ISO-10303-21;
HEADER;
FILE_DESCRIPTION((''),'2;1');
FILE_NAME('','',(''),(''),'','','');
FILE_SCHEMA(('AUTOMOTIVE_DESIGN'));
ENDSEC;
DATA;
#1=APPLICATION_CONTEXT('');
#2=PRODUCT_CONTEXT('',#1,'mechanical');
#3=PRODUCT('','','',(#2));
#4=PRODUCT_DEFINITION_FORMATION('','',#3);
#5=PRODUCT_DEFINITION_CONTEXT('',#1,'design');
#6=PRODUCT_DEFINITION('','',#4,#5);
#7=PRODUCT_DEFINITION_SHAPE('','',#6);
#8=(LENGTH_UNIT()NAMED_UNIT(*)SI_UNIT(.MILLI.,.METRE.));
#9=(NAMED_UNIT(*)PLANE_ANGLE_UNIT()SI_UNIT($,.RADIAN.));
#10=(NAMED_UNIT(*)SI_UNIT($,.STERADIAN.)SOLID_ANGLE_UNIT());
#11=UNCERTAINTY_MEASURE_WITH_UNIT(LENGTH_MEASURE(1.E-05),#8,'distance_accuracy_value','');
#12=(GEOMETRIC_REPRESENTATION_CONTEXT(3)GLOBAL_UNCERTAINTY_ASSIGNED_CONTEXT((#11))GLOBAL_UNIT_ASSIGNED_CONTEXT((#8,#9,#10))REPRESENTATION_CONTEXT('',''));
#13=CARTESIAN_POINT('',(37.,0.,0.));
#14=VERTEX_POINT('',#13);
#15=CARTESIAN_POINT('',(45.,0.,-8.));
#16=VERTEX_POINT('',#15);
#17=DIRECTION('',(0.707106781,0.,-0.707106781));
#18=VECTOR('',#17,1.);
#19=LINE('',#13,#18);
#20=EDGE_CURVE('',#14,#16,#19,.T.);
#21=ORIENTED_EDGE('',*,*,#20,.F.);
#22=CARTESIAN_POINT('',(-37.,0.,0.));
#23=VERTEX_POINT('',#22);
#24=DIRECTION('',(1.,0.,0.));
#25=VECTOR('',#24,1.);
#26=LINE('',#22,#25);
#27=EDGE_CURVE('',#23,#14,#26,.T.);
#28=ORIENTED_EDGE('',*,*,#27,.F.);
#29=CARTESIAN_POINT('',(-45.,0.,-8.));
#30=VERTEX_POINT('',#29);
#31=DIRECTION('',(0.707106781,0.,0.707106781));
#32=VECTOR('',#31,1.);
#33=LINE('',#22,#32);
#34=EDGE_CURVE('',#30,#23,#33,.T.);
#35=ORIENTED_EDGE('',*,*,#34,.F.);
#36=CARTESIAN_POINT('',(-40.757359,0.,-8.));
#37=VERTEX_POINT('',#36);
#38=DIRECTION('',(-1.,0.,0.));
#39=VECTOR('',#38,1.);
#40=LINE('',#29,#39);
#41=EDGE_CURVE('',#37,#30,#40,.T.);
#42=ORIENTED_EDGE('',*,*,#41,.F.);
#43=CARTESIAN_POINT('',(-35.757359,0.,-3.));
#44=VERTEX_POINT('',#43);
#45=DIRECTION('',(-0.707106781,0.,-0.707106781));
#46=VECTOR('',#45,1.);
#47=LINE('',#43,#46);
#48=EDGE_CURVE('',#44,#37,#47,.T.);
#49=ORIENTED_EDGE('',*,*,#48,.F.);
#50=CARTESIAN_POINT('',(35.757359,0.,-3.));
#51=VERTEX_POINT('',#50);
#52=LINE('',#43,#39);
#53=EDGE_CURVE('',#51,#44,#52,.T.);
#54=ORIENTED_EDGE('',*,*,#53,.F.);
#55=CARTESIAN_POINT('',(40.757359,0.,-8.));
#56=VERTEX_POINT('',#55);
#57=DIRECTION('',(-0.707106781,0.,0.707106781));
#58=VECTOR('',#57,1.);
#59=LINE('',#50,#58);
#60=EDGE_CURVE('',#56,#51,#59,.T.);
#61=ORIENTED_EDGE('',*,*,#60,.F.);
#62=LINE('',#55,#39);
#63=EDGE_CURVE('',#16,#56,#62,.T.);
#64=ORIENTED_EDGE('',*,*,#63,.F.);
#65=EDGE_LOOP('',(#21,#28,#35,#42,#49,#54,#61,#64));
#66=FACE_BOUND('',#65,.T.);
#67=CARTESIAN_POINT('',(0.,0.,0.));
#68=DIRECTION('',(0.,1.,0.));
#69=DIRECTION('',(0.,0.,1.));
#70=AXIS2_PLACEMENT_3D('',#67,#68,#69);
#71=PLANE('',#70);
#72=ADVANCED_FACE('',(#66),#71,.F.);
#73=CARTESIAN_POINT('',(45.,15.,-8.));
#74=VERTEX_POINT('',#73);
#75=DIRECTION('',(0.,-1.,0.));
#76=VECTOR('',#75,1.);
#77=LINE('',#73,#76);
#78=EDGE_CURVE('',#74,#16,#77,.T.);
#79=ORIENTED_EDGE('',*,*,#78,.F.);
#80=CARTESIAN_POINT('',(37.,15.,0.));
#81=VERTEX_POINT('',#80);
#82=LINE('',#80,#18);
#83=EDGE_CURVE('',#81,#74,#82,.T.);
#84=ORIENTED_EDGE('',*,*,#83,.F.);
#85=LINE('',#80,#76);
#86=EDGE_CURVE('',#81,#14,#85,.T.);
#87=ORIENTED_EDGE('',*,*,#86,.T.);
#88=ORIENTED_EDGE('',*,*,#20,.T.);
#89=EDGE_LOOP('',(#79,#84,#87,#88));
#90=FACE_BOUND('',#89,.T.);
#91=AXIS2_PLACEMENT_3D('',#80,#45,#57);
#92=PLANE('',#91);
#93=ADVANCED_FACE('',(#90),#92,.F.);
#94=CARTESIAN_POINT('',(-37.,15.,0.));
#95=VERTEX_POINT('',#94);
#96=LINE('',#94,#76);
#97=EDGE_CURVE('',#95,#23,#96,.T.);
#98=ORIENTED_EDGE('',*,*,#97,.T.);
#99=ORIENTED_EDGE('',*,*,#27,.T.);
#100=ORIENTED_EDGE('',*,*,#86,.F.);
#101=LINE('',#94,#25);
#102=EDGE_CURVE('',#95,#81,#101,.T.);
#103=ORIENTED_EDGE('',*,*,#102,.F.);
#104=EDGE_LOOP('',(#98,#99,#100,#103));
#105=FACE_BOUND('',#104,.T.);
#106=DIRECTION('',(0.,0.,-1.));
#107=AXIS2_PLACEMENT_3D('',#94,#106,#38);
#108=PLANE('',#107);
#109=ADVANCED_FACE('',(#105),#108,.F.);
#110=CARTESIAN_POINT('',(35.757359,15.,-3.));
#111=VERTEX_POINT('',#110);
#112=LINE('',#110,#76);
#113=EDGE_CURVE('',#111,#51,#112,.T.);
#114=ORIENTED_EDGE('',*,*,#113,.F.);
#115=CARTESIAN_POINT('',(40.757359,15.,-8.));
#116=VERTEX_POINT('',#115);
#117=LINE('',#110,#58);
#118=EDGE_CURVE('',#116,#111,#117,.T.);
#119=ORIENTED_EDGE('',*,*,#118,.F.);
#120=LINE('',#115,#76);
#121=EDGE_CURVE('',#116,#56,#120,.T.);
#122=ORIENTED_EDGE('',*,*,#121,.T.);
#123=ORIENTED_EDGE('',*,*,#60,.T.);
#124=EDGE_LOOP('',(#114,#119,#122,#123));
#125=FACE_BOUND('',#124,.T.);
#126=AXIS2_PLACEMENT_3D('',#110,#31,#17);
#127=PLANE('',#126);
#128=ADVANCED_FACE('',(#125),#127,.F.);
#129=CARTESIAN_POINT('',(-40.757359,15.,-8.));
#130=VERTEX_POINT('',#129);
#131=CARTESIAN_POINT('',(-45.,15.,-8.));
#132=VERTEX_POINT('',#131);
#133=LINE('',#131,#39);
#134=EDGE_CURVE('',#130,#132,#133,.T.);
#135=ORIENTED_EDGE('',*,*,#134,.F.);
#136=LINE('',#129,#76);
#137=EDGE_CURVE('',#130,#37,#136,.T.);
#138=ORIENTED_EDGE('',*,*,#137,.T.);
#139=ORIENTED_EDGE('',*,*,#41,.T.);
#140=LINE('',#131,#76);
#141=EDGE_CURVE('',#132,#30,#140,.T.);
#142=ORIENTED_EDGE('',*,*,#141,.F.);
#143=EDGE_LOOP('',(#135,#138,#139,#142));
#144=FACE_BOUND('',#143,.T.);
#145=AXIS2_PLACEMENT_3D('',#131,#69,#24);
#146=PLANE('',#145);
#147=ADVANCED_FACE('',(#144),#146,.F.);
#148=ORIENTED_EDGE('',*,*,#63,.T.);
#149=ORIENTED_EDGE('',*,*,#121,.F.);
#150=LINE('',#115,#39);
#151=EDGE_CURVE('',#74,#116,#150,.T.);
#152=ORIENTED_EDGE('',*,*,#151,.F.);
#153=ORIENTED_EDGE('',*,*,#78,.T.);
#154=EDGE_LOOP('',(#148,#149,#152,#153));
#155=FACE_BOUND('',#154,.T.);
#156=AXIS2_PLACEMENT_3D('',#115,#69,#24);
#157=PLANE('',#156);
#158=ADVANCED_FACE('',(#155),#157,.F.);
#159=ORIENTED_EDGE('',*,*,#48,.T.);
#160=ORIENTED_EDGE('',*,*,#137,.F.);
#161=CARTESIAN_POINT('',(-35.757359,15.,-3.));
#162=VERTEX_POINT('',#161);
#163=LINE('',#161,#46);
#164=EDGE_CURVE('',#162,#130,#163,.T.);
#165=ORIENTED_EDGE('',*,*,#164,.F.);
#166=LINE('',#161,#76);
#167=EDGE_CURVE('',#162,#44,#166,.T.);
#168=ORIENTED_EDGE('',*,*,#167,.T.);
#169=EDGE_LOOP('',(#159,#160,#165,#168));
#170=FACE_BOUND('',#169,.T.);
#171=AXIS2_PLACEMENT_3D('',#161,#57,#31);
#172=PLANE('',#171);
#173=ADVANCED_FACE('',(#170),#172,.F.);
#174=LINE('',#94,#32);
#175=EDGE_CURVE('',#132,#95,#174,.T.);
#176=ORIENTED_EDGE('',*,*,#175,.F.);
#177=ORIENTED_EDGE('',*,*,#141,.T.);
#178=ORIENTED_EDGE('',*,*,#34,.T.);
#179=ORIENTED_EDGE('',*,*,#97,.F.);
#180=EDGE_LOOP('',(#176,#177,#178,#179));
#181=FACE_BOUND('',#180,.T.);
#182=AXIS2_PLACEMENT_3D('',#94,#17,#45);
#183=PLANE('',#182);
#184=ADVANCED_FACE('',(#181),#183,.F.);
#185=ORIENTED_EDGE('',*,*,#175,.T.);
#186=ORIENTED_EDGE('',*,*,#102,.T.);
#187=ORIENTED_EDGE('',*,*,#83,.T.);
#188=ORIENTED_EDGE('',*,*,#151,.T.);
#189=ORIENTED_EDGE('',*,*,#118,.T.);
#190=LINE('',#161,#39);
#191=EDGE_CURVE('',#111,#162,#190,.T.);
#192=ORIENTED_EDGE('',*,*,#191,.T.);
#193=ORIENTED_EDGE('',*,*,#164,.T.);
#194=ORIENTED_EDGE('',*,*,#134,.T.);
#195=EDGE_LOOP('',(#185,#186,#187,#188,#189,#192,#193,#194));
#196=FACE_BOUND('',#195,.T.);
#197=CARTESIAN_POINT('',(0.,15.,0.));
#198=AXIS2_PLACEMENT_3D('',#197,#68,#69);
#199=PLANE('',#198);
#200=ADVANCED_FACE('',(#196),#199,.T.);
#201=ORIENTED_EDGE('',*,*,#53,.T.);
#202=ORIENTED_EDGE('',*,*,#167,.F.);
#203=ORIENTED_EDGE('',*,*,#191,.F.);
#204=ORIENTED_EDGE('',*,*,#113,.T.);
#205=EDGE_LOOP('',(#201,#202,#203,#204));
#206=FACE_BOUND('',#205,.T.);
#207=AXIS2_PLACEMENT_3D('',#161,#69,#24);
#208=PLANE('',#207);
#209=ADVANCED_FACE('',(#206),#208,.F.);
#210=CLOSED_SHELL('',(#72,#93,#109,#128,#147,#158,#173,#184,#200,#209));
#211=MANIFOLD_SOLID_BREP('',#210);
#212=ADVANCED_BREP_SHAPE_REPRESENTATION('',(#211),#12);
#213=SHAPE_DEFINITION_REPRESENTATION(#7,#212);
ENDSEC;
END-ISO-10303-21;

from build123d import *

# Parameters (mm, degrees)
SALIENTE_EXTRUIR1_DEPTH = 15


with BuildPart() as part:
    # Croquis1 → Saliente-Extruir1 (new body)
    with BuildSketch(Plane(origin=(0, 0, 0), x_dir=(1, 0, 0), z_dir=(0, 1, 0))):
        Polygon((-37, 0), (37, 0), (45, 8), (40.757359313, 8), (35.757359313, 3), (-35.757359313, 3), (-40.757359313, 8), (-45, 8), align=None)
    extrude(amount=SALIENTE_EXTRUIR1_DEPTH)


solid = part.part
